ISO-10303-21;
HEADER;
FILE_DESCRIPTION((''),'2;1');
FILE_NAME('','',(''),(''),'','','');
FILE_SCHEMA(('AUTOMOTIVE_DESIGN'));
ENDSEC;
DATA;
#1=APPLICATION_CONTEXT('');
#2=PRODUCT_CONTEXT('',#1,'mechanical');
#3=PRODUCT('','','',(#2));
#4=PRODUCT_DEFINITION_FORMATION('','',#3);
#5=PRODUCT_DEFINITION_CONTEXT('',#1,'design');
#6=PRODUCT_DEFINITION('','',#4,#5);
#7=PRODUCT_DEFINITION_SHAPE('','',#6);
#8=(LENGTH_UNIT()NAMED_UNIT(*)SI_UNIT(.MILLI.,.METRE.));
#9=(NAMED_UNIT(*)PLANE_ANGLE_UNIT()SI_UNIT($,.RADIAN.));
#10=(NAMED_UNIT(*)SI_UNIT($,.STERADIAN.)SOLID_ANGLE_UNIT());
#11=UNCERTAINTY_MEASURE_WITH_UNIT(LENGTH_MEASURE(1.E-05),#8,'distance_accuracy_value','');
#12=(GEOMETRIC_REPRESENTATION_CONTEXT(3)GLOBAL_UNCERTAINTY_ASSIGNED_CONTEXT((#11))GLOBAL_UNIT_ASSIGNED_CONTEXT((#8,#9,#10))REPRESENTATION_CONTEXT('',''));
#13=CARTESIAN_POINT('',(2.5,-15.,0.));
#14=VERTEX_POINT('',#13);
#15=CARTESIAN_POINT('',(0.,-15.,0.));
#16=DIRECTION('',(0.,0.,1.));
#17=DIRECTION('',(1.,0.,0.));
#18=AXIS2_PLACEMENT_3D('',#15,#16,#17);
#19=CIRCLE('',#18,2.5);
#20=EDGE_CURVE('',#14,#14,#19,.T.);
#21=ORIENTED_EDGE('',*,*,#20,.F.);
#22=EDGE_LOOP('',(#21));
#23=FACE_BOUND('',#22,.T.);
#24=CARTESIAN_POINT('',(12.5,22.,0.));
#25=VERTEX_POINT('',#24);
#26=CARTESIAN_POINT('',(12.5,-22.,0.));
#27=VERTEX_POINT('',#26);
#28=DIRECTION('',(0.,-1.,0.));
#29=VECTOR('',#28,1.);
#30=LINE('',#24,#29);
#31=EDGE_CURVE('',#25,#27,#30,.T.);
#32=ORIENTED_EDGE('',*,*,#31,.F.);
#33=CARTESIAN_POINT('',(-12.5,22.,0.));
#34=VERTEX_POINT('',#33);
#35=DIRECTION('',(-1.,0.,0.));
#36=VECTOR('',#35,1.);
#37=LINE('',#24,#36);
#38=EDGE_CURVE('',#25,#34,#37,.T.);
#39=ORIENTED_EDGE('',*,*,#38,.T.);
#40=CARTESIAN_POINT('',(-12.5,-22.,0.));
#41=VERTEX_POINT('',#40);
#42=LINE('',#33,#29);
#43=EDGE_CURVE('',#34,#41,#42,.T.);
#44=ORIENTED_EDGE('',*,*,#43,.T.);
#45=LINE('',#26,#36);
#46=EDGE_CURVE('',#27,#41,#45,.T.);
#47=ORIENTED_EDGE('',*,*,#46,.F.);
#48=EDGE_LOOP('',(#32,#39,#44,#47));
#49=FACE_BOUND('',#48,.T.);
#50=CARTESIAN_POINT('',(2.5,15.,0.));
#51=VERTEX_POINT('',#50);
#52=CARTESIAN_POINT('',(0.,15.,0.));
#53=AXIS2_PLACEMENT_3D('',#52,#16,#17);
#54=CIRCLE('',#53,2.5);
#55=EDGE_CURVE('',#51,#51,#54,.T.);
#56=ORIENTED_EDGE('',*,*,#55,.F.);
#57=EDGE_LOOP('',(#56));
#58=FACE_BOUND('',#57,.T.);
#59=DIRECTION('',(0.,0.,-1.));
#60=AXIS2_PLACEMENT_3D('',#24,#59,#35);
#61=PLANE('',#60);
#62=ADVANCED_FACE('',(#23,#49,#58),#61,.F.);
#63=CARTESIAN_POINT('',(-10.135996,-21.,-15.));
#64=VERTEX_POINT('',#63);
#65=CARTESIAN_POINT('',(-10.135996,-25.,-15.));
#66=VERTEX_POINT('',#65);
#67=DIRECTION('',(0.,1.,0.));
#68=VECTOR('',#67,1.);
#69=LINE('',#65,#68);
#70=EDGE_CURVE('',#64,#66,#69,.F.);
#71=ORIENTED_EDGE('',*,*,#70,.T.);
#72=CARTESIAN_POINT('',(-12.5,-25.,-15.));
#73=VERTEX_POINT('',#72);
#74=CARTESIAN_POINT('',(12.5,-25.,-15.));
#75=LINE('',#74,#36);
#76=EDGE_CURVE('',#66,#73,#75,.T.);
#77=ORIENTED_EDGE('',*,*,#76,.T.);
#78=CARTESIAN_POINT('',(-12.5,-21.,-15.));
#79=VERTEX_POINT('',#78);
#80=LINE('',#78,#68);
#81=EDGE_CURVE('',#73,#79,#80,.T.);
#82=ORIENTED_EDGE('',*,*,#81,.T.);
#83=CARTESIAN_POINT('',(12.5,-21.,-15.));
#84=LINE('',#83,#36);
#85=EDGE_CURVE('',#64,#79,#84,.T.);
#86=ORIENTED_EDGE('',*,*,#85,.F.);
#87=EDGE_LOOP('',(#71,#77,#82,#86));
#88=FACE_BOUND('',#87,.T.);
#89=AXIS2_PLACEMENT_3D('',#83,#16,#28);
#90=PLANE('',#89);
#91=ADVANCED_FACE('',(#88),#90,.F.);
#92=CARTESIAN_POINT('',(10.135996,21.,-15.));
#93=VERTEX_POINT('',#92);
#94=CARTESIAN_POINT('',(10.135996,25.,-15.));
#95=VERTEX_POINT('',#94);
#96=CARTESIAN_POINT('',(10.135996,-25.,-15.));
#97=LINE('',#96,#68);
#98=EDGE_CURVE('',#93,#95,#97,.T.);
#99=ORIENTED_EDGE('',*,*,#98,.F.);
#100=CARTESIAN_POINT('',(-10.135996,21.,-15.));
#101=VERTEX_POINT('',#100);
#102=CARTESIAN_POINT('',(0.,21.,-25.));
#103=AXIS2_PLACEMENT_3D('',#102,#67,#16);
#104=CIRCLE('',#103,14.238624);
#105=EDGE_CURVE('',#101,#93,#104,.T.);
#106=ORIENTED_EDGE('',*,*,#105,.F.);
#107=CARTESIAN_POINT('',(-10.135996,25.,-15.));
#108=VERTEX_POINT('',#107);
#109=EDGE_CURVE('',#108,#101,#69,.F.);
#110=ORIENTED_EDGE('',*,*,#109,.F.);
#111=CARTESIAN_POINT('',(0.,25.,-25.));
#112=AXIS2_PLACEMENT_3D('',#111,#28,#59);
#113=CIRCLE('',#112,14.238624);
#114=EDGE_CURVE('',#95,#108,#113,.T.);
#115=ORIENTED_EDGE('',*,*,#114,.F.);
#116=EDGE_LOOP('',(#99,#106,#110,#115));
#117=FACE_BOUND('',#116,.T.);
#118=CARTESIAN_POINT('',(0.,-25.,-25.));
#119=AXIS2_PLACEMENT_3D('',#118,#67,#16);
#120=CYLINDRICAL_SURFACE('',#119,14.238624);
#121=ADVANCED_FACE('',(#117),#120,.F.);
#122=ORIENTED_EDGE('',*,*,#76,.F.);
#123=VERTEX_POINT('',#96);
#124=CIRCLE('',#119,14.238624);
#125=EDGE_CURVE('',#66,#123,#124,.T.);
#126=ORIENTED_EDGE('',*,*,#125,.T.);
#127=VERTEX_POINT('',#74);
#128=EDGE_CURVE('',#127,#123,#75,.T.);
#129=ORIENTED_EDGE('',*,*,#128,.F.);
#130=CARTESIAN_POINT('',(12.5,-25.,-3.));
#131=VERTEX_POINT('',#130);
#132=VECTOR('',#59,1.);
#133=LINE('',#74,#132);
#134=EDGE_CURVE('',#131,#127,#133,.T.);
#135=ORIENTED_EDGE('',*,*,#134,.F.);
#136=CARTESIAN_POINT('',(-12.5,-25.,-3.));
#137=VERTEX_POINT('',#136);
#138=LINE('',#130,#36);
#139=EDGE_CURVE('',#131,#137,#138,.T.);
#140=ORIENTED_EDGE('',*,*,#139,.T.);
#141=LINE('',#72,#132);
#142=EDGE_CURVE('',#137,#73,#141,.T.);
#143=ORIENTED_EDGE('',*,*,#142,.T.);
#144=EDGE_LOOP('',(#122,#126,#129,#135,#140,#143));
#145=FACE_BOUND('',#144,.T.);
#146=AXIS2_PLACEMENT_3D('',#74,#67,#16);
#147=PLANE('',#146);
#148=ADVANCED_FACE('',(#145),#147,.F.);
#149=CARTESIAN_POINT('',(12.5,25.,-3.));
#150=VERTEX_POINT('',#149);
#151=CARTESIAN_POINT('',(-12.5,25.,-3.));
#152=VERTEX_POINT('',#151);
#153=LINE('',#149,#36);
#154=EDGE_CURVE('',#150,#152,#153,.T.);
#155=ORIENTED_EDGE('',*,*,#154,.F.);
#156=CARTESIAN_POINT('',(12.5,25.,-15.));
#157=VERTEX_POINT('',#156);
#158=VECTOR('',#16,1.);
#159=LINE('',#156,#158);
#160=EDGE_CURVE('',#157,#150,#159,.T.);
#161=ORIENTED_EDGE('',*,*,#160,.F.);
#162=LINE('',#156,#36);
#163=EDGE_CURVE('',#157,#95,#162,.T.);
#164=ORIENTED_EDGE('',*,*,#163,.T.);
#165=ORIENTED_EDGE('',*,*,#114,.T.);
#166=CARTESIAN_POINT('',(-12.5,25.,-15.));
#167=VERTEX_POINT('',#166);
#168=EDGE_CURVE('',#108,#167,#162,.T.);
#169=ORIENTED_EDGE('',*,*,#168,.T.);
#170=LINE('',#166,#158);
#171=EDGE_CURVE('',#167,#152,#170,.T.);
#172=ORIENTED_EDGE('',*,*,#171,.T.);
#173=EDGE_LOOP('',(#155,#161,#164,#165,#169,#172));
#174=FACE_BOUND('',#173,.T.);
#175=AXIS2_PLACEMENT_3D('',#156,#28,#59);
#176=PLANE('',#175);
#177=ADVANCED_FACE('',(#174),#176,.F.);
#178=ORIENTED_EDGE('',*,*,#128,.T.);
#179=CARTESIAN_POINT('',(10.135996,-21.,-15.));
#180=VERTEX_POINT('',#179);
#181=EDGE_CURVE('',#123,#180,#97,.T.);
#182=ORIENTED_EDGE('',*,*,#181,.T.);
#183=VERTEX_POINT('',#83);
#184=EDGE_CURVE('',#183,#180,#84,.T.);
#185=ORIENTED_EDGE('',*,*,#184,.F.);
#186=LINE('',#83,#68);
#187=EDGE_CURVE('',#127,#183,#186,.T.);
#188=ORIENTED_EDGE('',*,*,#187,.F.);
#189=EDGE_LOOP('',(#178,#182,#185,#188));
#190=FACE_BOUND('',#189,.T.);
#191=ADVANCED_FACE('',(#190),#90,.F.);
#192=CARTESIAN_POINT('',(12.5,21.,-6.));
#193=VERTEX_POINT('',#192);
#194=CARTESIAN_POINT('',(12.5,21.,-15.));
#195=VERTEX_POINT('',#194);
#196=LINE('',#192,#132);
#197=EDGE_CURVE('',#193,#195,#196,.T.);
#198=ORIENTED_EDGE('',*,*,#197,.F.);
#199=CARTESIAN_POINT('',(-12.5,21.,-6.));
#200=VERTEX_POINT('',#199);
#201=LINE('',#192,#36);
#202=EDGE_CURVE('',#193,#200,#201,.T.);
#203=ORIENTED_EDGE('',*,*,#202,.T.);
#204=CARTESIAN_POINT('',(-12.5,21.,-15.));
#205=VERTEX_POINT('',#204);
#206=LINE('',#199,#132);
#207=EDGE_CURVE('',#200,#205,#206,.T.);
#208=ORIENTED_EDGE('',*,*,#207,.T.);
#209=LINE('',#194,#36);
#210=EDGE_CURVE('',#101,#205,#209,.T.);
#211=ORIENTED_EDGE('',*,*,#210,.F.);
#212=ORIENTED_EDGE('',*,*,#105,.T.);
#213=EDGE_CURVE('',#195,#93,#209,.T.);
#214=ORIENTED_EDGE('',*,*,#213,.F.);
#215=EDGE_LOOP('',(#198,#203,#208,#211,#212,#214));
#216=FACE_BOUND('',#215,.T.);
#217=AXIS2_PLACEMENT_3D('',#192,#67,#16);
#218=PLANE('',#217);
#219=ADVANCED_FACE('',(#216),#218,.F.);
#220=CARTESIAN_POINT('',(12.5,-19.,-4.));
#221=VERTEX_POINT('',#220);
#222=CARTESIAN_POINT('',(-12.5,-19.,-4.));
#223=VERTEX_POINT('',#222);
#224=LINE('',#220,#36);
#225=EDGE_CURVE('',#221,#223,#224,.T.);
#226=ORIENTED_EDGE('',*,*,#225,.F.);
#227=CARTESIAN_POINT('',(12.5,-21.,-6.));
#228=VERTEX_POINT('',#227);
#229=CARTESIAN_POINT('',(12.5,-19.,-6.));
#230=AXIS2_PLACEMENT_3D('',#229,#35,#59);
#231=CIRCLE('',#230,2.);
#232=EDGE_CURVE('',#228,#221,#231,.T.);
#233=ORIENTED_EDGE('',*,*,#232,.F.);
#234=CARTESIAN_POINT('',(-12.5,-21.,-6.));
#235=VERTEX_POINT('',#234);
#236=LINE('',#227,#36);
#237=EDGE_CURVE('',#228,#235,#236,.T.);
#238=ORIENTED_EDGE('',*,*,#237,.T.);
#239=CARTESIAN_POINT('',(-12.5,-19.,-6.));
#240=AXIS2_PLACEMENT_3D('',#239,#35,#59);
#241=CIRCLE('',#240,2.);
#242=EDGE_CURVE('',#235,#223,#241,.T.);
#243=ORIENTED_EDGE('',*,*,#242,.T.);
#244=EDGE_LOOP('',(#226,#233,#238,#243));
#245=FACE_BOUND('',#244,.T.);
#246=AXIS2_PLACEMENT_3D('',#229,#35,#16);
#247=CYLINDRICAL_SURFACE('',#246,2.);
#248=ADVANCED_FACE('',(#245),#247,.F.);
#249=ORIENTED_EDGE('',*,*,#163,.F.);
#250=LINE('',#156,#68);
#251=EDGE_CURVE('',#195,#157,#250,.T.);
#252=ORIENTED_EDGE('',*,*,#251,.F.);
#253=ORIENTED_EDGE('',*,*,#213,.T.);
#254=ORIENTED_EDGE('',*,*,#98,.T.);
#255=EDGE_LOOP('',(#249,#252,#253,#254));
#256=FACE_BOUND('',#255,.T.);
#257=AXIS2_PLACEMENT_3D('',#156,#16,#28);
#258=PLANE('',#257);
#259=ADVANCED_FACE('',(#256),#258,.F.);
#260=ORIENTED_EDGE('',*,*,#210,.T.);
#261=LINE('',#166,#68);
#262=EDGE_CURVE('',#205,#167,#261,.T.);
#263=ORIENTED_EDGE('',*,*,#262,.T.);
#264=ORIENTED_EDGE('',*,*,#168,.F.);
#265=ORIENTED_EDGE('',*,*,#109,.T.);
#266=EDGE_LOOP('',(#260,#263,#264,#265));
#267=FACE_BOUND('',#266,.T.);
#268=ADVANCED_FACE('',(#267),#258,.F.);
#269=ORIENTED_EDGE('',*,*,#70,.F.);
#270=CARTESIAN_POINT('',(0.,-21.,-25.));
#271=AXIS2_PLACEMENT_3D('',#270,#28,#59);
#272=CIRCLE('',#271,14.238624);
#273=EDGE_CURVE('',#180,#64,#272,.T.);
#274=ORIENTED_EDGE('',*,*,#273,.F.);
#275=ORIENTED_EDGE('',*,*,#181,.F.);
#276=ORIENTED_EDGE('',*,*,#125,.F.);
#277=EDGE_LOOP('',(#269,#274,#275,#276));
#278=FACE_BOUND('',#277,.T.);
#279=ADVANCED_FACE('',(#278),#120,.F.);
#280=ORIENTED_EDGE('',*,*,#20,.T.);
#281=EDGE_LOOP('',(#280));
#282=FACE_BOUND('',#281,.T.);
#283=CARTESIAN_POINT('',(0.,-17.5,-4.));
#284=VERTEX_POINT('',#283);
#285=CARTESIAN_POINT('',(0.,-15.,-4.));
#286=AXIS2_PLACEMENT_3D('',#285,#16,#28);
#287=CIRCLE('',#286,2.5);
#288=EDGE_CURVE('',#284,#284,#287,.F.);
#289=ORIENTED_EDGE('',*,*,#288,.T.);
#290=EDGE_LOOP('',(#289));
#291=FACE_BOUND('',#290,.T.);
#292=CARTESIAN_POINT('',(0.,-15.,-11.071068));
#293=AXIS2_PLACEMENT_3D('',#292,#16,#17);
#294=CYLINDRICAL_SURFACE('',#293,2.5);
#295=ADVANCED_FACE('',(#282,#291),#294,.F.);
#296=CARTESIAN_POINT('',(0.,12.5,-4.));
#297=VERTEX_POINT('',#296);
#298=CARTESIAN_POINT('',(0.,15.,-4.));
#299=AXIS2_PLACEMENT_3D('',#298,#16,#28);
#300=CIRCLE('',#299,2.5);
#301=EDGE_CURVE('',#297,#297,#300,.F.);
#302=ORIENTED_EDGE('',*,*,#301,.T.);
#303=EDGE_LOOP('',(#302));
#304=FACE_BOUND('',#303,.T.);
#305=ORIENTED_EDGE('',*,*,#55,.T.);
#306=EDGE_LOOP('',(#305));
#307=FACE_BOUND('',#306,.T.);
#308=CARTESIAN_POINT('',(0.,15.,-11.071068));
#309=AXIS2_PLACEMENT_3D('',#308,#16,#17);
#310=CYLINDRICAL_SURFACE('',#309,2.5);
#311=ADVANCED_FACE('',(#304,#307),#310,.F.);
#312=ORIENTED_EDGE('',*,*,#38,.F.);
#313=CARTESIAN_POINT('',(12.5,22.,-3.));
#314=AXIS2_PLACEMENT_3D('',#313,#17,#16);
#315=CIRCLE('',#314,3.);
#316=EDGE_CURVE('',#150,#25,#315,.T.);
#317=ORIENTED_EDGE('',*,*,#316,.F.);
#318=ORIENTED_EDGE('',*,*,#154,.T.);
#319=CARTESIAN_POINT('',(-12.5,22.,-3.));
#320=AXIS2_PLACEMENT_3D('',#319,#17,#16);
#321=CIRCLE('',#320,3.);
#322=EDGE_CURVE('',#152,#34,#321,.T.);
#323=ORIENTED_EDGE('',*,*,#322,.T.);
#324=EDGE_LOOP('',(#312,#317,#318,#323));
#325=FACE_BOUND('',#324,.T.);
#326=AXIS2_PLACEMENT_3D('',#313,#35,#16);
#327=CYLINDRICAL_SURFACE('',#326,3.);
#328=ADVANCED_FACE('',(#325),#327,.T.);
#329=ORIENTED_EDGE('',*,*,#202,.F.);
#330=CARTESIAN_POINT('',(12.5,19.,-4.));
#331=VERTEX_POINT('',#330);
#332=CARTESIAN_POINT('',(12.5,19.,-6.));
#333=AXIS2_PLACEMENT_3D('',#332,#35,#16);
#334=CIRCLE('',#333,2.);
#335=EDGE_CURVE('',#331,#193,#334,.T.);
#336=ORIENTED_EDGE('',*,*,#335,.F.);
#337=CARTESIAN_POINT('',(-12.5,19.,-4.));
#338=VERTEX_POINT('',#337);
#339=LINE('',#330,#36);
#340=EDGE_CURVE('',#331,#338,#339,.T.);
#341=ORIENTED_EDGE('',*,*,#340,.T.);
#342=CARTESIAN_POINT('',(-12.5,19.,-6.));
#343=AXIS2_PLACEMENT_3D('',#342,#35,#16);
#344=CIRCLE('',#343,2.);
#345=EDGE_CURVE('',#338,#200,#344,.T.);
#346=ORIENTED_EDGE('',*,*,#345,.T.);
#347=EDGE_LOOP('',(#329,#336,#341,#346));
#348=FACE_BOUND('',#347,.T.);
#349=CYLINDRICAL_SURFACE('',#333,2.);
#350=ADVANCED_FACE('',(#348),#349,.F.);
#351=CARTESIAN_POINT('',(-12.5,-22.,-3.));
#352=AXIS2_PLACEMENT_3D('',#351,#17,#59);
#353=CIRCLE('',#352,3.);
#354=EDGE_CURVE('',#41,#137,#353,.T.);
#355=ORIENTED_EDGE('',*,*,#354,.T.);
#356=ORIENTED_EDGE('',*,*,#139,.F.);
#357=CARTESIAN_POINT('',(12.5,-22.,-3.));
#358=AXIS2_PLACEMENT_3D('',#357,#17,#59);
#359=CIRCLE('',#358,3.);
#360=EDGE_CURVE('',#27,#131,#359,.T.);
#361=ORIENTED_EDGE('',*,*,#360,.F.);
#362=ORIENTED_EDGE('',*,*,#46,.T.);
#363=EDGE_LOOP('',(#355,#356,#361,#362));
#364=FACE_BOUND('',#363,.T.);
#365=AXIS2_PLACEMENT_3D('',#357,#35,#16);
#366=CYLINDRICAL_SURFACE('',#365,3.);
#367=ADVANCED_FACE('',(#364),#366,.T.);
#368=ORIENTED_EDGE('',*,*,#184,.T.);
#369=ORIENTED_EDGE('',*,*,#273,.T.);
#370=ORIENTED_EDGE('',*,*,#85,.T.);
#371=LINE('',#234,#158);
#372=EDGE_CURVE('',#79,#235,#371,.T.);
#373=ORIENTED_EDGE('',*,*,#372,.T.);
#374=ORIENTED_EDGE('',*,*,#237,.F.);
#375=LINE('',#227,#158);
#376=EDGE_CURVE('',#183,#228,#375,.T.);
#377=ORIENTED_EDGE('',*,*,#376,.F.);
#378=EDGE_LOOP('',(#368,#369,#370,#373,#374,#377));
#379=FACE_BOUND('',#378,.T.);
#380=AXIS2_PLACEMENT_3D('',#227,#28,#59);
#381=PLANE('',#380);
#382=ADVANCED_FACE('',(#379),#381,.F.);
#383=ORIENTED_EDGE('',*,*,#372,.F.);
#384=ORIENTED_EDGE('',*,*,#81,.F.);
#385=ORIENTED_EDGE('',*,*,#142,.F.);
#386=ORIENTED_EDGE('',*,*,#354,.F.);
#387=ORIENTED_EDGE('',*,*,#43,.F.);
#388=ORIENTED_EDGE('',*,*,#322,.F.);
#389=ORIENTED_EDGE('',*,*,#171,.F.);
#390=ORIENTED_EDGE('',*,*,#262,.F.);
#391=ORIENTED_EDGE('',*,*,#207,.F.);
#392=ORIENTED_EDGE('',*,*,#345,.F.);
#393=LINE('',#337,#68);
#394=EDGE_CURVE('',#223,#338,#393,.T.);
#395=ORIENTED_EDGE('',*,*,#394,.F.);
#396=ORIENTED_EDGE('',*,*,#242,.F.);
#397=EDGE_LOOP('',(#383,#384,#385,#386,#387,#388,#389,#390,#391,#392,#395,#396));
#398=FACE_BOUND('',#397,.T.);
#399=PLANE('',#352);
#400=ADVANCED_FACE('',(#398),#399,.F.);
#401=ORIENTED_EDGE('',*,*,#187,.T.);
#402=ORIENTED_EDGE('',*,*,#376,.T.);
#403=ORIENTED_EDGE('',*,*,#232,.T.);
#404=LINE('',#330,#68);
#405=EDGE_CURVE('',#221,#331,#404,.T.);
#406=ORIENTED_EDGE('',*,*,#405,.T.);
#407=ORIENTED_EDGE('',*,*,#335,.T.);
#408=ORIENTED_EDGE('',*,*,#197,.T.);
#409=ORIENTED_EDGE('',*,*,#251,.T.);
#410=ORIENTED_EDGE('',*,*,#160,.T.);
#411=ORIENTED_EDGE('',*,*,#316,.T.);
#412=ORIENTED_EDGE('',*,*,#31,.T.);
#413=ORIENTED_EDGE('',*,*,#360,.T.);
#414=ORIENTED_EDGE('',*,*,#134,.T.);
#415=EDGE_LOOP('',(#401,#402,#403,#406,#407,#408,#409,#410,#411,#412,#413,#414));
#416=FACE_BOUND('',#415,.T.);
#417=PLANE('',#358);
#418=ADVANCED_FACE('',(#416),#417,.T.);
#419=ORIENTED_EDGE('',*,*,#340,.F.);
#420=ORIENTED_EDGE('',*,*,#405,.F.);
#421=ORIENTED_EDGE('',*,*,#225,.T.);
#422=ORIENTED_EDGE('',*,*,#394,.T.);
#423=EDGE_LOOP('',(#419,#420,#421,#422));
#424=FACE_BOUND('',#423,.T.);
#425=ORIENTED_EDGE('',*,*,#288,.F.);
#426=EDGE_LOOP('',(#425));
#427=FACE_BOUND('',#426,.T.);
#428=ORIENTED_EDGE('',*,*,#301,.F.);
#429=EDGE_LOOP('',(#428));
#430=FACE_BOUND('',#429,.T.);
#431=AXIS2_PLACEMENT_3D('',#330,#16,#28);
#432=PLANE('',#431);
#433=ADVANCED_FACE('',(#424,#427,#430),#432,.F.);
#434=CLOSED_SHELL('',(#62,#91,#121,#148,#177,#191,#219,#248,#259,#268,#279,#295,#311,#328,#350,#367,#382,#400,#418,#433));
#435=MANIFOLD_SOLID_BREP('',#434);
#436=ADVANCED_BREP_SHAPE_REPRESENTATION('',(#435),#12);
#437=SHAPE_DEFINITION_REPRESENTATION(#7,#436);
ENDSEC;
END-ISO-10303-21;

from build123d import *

# Parameters (mm, degrees)
BOSS_EXTRUDE3_DEPTH     = 12.5
SKETCH2_R               = 2.5
CUT_EXTRUDE3_DEPTH      = 4
SKETCH3_R               = 14.238624177
CUT_EXTRUDE4_DEPTH      = 26
CUT_EXTRUDE4_DEPTH_BACK = 26


with BuildPart() as part:
    # Sketch1 → Boss-Extrude3 (new body, symmetric)
    with BuildSketch(Plane(origin=(0, 0, 0), x_dir=(0, 0, -1), z_dir=(1, 0, 0))):
        with BuildLine():
            Line((0, 22), (0, -22))
            ThreePointArc((0, -22), (0.878679656, -24.121320344), (3, -25))
            Line((3, -25), (15, -25))
            Line((15, -25), (15, -21))
            Line((15, -21), (6, -21))
            ThreePointArc((6, -21), (4.585786438, -20.414213562), (4, -19))
            Line((4, -19), (4, 19))
            ThreePointArc((4, 19), (4.585786438, 20.414213562), (6, 21))
            Line((6, 21), (15, 21))
            Line((15, 21), (15, 25))
            Line((15, 25), (3, 25))
            ThreePointArc((3, 25), (0.878679656, 24.121320344), (0, 22))
        make_face()
    extrude(amount=BOSS_EXTRUDE3_DEPTH, both=True)

    # Sketch2 → Cut-Extrude3 (cut)
    with BuildSketch(Plane.XY):
        with Locations((0, 15)):
            Circle(SKETCH2_R)
        with Locations((0, -15)):
            Circle(SKETCH2_R)
    extrude(amount=-CUT_EXTRUDE3_DEPTH, mode=Mode.SUBTRACT)

    # Sketch3 → Cut-Extrude4 (cut, two sides)
    with BuildSketch(Plane(origin=(0, 0, 0), x_dir=(1, 0, 0), z_dir=(0, 1, 0))) as cut_extrude4_sk:
        with Locations((0, 25)):
            Circle(SKETCH3_R)
    extrude(amount=CUT_EXTRUDE4_DEPTH, mode=Mode.SUBTRACT)
    extrude(cut_extrude4_sk.sketch, amount=-CUT_EXTRUDE4_DEPTH_BACK, mode=Mode.SUBTRACT)


solid = part.part
